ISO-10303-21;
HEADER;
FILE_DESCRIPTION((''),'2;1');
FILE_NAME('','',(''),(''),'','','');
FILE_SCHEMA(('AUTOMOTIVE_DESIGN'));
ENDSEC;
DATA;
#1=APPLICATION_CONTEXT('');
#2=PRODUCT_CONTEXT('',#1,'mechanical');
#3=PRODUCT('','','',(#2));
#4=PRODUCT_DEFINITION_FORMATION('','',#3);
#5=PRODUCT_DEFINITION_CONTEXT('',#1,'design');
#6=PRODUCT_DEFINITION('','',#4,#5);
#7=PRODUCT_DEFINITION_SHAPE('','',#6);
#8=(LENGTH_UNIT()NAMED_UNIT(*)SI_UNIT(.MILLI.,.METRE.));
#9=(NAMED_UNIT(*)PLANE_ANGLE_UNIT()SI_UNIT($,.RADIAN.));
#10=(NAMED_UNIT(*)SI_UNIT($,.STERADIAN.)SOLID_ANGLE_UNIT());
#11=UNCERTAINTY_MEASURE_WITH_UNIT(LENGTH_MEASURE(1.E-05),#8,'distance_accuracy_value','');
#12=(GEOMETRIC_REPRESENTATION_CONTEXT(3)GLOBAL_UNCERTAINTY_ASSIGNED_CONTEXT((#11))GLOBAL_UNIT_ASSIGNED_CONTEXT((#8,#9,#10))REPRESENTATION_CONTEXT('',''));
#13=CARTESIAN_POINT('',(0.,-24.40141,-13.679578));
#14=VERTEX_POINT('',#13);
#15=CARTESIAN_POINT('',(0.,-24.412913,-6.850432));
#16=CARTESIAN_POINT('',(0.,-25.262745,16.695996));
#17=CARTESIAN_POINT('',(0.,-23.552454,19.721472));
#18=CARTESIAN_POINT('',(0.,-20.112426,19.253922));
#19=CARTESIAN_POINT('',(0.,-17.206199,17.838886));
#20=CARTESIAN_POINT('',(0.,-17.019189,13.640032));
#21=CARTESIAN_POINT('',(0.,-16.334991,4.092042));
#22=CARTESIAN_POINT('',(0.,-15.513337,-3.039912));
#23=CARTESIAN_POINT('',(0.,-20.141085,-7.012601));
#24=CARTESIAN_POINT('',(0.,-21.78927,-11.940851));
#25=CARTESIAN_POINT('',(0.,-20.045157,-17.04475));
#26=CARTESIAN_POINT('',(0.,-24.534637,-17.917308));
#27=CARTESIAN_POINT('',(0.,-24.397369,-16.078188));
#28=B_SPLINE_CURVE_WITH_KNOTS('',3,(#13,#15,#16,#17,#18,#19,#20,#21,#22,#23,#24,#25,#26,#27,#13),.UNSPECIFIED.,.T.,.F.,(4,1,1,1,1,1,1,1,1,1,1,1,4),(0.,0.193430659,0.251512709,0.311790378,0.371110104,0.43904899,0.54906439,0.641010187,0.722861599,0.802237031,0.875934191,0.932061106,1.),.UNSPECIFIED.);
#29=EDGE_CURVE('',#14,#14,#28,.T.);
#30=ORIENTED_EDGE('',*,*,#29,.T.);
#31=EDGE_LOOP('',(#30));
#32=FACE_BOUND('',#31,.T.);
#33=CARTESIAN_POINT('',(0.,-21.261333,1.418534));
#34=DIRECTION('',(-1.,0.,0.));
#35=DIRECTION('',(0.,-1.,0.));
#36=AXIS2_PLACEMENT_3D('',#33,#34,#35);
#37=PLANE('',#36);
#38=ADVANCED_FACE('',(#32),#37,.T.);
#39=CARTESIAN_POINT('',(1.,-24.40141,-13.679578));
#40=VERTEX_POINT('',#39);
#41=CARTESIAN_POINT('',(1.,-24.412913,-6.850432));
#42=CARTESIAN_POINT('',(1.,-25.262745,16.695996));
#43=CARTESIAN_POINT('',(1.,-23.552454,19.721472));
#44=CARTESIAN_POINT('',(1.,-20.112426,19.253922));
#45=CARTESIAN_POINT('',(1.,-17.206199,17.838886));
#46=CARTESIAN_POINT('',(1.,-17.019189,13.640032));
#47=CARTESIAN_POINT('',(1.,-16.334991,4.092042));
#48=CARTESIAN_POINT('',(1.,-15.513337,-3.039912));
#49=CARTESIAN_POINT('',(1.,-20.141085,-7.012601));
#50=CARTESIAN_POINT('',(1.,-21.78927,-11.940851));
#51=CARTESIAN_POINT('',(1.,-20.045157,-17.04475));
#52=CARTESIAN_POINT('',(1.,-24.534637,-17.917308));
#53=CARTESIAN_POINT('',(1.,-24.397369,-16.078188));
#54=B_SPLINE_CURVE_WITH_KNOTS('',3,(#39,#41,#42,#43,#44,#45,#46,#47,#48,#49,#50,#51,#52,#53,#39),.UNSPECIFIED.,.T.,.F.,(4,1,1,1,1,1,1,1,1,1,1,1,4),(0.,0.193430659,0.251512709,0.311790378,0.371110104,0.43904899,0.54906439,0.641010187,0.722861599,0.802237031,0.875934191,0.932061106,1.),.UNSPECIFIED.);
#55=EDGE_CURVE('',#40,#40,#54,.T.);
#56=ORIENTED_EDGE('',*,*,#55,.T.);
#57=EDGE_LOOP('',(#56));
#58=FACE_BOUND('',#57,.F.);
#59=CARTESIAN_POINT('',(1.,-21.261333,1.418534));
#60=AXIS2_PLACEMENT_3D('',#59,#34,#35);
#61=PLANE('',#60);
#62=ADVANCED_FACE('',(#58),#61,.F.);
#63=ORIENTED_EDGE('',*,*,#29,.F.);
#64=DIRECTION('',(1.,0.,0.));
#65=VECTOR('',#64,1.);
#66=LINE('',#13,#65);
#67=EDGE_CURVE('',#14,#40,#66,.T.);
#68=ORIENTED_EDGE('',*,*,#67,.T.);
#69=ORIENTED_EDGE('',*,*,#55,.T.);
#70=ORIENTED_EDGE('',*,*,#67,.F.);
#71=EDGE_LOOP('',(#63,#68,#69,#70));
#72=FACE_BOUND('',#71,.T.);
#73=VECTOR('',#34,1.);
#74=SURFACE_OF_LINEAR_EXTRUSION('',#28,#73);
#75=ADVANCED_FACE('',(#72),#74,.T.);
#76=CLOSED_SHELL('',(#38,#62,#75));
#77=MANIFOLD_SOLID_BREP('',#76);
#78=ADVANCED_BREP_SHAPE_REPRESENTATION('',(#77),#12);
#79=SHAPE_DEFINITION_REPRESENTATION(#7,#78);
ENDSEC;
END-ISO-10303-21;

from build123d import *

# Parameters (mm, degrees)
F1_DEPTH = 1


with BuildPart() as f1:
    # F0 (on Right) → F1 (new body)
    with BuildSketch(Plane.YZ):
        with BuildLine():
            add(Edge.make_bspline(
                [(-24.4014095515, -13.679577969), (-24.4129129176, -6.8504318828), (-25.2627452244, 16.6959962114), (-23.5524538207, 19.7214724307), (-20.1124259413, 19.2539216179), (-17.2061991058, 17.8388858402), (-17.0191894534, 13.6400315978), (-16.3349913251, 4.0920415639), (-15.5133368881, -3.0399119176), (-20.1410845228, -7.0126009019), (-21.7892700184, -11.9408507086), (-20.0451567022, -17.0447498297), (-24.5346370725, -17.9173083915), (-24.3973692098, -16.0781875384), (-24.4014095515, -13.679577969)],
                knots=[0, 0, 0, 0, 0.1934306589, 0.2515127087, 0.3117903778, 0.3711101043, 0.4390489897, 0.5490643895, 0.6410101869, 0.722861599, 0.8022370307, 0.8759341906, 0.9320611064, 1, 1, 1, 1], degree=3))
        make_face()
    extrude(amount=F1_DEPTH)


solid = f1.part
